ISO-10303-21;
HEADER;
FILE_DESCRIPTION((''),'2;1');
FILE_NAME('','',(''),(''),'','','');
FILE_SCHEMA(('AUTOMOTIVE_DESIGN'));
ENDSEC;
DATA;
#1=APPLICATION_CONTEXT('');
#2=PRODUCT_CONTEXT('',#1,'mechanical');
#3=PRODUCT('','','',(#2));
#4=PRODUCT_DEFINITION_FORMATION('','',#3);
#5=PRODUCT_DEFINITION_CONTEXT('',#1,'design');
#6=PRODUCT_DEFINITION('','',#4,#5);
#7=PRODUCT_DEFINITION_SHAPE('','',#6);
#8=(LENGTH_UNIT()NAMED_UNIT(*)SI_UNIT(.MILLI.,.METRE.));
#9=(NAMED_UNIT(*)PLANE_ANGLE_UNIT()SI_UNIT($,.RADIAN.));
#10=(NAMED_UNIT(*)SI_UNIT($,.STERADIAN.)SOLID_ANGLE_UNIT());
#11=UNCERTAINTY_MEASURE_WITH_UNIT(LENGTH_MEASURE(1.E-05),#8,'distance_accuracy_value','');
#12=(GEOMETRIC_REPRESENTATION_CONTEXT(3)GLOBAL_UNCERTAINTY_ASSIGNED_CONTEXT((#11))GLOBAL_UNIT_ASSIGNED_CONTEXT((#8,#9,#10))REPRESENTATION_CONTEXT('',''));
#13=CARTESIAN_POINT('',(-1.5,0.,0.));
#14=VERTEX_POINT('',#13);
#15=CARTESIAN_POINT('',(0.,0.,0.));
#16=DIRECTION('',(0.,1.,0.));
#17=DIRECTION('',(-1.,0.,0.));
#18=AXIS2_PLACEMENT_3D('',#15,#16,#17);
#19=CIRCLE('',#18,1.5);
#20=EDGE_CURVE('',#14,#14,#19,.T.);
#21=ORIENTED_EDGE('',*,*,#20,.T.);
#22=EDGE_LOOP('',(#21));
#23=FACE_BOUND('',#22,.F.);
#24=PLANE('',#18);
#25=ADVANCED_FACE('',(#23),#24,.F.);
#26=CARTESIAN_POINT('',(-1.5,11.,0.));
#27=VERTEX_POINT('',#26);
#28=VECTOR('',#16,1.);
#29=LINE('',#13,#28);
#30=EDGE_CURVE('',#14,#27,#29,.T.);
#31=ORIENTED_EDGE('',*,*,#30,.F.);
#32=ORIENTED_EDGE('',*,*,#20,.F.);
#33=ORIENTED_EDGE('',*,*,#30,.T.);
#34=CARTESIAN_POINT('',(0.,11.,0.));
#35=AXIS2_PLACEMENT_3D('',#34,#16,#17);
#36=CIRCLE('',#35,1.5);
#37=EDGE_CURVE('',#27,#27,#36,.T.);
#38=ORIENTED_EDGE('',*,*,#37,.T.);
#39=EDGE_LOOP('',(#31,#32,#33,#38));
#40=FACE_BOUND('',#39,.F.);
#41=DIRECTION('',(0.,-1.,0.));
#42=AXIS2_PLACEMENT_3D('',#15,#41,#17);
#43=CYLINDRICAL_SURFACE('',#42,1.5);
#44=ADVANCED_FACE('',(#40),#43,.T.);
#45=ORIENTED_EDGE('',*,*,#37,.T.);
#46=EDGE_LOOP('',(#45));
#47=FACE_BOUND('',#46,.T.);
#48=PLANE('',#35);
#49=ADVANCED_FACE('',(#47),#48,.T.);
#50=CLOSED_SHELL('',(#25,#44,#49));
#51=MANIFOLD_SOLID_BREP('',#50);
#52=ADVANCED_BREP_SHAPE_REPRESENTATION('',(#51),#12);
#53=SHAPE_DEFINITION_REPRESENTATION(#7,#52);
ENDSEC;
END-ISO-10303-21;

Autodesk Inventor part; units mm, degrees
ref_plane "YZ Plane" through (0, 0, 0) normal (1, 0, 0) x (0, 1, 0)
ref_plane "XZ Plane" through (0, 0, 0) normal (0, 1, 0) x (-1, 0, 0)
ref_plane "XY Plane" through (0, 0, 0) normal (0, 0, 1) x (1, 0, 0)
sketch "Sketch1" plane through (0, 0, 0) normal (0, 1, 0) x (-1, 0, 0)
  circle A0 centre (0, 0) radius 1.5
  dimension "d0" = 3
extrude "Extrusion1" add sketch "Sketch1" along normal blind 11
properties part number "Yellow"
